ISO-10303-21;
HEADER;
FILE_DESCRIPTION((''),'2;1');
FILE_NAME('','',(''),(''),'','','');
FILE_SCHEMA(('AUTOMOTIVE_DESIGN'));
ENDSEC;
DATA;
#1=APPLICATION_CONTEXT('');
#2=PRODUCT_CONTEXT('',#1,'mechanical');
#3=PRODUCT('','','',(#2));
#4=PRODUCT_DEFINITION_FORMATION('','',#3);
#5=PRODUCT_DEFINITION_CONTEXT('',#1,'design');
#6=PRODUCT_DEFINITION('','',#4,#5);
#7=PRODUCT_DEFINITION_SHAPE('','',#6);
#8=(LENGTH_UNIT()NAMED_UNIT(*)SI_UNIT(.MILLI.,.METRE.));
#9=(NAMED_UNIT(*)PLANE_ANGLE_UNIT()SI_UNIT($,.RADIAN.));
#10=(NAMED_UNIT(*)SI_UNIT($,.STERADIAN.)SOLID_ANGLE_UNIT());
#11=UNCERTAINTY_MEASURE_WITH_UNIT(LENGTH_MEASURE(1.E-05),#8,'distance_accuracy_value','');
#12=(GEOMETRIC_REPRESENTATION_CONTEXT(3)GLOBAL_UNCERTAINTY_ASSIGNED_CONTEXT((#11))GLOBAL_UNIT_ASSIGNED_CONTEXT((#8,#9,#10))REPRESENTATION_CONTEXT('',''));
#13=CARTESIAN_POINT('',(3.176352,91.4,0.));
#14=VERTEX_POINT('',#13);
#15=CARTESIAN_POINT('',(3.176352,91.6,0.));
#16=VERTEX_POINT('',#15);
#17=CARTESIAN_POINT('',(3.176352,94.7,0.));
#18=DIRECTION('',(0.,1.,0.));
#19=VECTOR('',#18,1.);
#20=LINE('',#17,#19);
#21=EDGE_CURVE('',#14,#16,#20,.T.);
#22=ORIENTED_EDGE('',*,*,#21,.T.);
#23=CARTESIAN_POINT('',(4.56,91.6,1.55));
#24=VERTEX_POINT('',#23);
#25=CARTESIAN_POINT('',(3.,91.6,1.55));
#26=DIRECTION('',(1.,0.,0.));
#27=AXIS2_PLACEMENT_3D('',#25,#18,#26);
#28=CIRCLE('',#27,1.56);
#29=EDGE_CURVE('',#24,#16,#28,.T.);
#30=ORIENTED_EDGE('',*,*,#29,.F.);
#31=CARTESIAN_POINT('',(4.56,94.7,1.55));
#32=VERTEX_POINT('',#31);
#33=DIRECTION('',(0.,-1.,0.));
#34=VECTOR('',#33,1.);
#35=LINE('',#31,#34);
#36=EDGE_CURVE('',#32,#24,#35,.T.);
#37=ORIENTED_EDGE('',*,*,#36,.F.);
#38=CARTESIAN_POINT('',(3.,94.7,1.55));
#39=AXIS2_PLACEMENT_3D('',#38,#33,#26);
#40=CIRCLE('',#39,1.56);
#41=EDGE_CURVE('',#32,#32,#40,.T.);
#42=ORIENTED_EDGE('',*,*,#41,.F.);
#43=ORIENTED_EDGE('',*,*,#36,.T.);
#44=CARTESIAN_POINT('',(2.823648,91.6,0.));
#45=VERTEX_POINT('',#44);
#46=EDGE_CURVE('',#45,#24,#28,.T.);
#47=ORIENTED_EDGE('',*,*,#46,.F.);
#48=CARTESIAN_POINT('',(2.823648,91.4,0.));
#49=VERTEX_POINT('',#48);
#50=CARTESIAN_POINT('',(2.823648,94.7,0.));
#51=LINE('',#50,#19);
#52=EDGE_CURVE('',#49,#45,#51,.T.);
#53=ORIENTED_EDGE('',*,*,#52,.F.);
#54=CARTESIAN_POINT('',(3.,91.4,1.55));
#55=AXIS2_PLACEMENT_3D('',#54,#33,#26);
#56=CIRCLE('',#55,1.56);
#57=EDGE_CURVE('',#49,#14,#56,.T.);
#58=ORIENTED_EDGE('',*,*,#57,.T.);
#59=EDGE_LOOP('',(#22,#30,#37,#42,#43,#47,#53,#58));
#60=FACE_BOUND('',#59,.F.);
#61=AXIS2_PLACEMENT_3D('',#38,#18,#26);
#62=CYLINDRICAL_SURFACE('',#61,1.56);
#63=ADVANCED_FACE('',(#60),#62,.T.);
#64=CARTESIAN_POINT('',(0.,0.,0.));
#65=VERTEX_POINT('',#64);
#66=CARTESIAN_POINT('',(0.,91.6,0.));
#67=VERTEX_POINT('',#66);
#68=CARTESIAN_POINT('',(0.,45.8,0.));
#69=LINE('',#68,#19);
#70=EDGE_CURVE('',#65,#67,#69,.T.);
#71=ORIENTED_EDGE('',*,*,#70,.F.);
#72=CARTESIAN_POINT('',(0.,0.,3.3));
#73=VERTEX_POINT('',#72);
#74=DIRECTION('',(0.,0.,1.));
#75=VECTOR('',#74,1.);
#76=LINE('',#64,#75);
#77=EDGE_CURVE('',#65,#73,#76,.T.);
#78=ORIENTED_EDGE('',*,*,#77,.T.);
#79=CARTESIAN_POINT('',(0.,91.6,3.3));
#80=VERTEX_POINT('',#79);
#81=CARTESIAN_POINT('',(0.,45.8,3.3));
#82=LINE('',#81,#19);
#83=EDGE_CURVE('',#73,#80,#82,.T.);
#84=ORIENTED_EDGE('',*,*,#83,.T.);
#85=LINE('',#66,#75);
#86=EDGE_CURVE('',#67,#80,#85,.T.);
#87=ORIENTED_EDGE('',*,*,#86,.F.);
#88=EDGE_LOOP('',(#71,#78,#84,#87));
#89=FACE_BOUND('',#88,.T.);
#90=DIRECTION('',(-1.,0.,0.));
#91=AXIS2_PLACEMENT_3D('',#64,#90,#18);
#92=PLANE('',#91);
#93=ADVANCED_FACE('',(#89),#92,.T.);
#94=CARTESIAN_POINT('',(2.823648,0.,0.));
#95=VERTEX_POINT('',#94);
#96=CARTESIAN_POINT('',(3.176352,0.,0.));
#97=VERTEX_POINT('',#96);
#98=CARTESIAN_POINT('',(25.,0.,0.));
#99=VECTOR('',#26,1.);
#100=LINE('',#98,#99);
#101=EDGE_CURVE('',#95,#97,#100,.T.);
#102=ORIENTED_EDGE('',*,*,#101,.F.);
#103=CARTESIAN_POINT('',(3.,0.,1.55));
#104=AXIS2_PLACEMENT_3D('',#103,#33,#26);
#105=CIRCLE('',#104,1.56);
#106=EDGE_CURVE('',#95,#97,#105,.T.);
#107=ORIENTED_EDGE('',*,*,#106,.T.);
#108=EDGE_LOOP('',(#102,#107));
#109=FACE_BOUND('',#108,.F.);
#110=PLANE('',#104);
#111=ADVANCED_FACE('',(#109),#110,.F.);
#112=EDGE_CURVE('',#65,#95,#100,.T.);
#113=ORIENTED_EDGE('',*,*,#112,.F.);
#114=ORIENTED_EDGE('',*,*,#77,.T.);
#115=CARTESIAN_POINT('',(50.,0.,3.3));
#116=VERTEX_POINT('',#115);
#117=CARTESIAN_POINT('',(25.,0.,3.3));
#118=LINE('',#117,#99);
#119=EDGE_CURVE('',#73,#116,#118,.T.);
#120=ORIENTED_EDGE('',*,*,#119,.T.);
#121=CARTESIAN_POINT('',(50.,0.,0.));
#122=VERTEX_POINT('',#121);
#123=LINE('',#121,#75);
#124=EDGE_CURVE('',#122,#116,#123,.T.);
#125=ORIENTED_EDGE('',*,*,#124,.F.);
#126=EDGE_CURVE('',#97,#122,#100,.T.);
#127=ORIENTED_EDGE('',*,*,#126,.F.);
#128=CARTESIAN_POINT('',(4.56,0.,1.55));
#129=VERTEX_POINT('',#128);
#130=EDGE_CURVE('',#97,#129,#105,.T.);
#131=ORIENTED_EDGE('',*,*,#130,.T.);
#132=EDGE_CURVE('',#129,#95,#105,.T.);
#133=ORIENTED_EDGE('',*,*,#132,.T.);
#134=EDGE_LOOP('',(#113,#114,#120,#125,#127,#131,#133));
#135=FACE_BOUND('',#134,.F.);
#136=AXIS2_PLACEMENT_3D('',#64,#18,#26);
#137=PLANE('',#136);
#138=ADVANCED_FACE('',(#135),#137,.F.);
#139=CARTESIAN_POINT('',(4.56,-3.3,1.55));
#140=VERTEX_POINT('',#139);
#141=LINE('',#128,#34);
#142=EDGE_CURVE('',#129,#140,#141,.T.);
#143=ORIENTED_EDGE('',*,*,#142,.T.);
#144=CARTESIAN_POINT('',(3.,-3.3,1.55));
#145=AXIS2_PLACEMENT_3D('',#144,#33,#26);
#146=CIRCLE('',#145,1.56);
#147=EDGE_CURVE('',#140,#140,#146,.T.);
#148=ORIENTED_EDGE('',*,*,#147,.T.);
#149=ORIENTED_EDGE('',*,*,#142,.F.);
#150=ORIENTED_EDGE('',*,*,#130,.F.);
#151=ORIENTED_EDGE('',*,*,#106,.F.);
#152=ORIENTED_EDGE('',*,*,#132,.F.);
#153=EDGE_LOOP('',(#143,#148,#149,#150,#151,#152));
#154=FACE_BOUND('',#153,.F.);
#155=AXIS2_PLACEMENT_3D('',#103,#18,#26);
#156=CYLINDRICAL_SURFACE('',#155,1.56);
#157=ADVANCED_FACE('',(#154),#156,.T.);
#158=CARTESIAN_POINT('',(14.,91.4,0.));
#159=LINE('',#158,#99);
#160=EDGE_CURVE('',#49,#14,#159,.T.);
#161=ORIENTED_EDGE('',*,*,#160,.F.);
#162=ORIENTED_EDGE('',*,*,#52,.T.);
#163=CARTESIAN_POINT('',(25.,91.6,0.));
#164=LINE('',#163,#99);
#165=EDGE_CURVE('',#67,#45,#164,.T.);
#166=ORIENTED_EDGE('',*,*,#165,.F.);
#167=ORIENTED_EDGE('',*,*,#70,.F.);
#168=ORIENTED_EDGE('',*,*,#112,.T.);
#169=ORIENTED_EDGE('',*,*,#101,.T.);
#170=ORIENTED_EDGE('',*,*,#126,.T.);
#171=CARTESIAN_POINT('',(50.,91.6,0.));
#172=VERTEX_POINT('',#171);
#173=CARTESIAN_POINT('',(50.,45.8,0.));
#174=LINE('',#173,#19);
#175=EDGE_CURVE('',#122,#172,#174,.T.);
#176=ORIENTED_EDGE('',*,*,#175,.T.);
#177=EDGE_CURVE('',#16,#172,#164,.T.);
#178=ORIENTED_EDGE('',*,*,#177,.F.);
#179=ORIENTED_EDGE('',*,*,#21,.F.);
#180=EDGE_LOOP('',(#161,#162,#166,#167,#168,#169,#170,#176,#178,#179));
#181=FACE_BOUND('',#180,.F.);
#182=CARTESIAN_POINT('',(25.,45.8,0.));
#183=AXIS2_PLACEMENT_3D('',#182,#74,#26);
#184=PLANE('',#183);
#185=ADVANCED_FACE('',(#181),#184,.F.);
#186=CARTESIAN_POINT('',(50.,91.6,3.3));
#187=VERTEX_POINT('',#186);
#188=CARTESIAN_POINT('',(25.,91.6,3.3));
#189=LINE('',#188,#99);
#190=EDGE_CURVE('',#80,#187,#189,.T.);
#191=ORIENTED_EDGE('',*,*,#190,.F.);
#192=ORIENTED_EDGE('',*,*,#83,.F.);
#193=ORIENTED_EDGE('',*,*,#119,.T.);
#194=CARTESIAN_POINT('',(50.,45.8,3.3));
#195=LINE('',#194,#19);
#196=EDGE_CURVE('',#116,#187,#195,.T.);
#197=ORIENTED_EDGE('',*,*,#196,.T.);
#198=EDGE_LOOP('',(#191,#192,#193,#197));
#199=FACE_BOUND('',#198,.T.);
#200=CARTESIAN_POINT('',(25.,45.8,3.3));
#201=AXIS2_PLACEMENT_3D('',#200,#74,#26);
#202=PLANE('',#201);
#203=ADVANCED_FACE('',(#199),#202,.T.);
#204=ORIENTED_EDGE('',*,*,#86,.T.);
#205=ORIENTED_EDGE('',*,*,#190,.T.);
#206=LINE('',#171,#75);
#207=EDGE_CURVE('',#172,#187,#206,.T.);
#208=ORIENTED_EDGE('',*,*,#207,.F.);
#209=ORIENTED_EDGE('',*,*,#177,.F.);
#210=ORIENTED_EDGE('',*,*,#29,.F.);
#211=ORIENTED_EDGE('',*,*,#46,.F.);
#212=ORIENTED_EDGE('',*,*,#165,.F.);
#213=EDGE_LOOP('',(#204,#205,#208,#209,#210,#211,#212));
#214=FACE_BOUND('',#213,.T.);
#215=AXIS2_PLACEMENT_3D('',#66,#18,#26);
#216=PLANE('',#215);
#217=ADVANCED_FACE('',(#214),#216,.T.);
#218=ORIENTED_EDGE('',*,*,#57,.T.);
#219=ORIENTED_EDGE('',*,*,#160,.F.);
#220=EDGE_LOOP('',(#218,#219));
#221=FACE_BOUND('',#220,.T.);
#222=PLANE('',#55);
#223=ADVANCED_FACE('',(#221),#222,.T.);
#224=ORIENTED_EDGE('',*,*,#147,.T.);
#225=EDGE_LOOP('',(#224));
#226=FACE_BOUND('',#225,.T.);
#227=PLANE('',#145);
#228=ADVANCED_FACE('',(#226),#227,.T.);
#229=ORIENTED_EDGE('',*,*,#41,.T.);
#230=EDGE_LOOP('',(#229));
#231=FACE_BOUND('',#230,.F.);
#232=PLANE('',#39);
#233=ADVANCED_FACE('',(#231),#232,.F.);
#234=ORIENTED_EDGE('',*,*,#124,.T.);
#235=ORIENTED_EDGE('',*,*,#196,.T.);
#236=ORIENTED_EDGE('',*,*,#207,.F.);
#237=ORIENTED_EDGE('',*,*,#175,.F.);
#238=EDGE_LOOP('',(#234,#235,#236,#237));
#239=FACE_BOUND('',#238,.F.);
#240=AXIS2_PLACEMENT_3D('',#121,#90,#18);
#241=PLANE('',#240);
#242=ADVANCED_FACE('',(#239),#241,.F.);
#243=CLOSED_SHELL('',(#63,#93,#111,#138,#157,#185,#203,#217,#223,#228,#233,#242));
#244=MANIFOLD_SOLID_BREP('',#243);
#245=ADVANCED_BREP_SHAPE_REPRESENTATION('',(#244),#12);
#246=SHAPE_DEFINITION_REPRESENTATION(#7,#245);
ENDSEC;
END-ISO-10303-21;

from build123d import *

# Parameters (mm, degrees)
BOX_W             = 50
BOX_H             = 91.6
BOX_DEPTH         = 3.3
CYLINDER_R        = 1.56
CYLINDER_DEPTH    = 3.3
CYLINDER001_R     = 1.56
CYLINDER001_DEPTH = 3.3


with BuildPart() as part:
    # Box → Box (join)
    with BuildSketch(Plane.XY):
        with Locations((25, 45.8)):
            Rectangle(BOX_W, BOX_H)
    extrude(amount=BOX_DEPTH)

    # Cylinder → Cylinder (join)
    with BuildSketch(Plane(origin=(3, 0, 1.55), x_dir=(1, 0, 0), z_dir=(0, -1, 0))):
        Circle(CYLINDER_R)
    extrude(amount=CYLINDER_DEPTH)

    # Cylinder001 → Cylinder001 (join)
    with BuildSketch(Plane(origin=(3, 94.7, 1.55), x_dir=(1, 0, 0), z_dir=(0, -1, 0))):
        Circle(CYLINDER001_R)
    extrude(amount=CYLINDER001_DEPTH)


solid = part.part
